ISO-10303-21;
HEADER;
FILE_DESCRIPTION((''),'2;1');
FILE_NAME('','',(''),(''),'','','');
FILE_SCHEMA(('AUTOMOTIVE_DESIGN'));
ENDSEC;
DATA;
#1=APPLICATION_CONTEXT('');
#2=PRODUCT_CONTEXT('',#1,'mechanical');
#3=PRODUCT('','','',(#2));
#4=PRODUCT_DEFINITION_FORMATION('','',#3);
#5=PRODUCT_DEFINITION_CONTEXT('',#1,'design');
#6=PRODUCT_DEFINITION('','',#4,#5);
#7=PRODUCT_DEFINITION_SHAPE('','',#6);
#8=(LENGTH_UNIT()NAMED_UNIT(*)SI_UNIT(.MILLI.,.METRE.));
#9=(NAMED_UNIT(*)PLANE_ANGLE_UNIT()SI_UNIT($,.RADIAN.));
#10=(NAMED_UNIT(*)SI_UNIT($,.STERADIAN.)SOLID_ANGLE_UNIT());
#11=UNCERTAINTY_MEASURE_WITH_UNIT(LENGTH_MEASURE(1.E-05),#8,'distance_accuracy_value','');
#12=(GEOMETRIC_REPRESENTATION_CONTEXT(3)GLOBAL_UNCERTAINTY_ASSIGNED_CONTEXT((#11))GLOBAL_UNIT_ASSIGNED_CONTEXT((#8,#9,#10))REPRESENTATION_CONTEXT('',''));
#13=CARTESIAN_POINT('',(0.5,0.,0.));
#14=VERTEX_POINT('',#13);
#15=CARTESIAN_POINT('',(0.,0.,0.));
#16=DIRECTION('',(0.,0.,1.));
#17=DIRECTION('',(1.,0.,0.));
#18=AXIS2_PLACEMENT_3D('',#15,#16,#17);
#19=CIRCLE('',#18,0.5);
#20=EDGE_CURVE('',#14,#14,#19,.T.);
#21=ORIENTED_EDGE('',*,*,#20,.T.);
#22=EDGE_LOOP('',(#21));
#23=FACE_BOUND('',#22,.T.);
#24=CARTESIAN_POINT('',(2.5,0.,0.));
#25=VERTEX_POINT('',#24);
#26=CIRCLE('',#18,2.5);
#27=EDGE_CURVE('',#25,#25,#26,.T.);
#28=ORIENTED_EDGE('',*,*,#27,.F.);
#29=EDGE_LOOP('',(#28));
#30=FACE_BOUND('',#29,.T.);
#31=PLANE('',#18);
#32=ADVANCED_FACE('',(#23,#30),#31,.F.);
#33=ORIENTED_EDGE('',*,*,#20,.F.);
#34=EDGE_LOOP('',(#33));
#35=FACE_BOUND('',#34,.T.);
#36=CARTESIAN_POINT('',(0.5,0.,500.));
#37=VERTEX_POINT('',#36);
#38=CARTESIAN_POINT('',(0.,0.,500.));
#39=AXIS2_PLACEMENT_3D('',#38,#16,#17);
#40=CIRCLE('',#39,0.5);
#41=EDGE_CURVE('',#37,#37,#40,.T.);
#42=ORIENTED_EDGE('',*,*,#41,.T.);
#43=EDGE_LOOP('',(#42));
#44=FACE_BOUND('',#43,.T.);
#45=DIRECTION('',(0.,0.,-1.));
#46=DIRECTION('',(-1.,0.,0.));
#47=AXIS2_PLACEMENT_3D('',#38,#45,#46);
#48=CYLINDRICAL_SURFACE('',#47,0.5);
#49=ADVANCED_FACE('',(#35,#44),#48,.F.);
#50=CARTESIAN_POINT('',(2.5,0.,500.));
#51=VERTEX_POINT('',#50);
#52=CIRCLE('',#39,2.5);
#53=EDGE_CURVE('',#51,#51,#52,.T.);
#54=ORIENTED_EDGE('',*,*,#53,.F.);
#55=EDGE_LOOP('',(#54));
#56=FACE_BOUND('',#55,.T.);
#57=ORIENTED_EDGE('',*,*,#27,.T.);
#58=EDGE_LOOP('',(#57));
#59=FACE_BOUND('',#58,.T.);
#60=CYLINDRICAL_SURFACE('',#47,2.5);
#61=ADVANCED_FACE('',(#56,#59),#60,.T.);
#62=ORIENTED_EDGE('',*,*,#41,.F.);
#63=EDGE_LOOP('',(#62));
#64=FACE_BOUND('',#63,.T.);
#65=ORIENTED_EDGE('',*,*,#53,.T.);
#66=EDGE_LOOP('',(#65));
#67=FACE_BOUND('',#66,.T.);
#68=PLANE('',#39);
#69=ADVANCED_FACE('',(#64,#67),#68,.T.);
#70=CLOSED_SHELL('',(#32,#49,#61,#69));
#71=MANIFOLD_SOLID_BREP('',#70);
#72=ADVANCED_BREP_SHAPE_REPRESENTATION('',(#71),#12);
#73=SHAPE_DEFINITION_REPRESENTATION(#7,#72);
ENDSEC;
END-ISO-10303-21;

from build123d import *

# Parameters (mm, degrees)
SKETCH_1_R      = 2.5
SKETCH_1_R_2    = 0.5
EXTRUDE_2_DEPTH = 500


with BuildPart() as part:
    # 草圖1 → 伸長-薄件2 (new body)
    with BuildSketch(Plane.XY):
        Circle(SKETCH_1_R)
        Circle(SKETCH_1_R_2, mode=Mode.SUBTRACT)
    extrude(amount=EXTRUDE_2_DEPTH)


solid = part.part
